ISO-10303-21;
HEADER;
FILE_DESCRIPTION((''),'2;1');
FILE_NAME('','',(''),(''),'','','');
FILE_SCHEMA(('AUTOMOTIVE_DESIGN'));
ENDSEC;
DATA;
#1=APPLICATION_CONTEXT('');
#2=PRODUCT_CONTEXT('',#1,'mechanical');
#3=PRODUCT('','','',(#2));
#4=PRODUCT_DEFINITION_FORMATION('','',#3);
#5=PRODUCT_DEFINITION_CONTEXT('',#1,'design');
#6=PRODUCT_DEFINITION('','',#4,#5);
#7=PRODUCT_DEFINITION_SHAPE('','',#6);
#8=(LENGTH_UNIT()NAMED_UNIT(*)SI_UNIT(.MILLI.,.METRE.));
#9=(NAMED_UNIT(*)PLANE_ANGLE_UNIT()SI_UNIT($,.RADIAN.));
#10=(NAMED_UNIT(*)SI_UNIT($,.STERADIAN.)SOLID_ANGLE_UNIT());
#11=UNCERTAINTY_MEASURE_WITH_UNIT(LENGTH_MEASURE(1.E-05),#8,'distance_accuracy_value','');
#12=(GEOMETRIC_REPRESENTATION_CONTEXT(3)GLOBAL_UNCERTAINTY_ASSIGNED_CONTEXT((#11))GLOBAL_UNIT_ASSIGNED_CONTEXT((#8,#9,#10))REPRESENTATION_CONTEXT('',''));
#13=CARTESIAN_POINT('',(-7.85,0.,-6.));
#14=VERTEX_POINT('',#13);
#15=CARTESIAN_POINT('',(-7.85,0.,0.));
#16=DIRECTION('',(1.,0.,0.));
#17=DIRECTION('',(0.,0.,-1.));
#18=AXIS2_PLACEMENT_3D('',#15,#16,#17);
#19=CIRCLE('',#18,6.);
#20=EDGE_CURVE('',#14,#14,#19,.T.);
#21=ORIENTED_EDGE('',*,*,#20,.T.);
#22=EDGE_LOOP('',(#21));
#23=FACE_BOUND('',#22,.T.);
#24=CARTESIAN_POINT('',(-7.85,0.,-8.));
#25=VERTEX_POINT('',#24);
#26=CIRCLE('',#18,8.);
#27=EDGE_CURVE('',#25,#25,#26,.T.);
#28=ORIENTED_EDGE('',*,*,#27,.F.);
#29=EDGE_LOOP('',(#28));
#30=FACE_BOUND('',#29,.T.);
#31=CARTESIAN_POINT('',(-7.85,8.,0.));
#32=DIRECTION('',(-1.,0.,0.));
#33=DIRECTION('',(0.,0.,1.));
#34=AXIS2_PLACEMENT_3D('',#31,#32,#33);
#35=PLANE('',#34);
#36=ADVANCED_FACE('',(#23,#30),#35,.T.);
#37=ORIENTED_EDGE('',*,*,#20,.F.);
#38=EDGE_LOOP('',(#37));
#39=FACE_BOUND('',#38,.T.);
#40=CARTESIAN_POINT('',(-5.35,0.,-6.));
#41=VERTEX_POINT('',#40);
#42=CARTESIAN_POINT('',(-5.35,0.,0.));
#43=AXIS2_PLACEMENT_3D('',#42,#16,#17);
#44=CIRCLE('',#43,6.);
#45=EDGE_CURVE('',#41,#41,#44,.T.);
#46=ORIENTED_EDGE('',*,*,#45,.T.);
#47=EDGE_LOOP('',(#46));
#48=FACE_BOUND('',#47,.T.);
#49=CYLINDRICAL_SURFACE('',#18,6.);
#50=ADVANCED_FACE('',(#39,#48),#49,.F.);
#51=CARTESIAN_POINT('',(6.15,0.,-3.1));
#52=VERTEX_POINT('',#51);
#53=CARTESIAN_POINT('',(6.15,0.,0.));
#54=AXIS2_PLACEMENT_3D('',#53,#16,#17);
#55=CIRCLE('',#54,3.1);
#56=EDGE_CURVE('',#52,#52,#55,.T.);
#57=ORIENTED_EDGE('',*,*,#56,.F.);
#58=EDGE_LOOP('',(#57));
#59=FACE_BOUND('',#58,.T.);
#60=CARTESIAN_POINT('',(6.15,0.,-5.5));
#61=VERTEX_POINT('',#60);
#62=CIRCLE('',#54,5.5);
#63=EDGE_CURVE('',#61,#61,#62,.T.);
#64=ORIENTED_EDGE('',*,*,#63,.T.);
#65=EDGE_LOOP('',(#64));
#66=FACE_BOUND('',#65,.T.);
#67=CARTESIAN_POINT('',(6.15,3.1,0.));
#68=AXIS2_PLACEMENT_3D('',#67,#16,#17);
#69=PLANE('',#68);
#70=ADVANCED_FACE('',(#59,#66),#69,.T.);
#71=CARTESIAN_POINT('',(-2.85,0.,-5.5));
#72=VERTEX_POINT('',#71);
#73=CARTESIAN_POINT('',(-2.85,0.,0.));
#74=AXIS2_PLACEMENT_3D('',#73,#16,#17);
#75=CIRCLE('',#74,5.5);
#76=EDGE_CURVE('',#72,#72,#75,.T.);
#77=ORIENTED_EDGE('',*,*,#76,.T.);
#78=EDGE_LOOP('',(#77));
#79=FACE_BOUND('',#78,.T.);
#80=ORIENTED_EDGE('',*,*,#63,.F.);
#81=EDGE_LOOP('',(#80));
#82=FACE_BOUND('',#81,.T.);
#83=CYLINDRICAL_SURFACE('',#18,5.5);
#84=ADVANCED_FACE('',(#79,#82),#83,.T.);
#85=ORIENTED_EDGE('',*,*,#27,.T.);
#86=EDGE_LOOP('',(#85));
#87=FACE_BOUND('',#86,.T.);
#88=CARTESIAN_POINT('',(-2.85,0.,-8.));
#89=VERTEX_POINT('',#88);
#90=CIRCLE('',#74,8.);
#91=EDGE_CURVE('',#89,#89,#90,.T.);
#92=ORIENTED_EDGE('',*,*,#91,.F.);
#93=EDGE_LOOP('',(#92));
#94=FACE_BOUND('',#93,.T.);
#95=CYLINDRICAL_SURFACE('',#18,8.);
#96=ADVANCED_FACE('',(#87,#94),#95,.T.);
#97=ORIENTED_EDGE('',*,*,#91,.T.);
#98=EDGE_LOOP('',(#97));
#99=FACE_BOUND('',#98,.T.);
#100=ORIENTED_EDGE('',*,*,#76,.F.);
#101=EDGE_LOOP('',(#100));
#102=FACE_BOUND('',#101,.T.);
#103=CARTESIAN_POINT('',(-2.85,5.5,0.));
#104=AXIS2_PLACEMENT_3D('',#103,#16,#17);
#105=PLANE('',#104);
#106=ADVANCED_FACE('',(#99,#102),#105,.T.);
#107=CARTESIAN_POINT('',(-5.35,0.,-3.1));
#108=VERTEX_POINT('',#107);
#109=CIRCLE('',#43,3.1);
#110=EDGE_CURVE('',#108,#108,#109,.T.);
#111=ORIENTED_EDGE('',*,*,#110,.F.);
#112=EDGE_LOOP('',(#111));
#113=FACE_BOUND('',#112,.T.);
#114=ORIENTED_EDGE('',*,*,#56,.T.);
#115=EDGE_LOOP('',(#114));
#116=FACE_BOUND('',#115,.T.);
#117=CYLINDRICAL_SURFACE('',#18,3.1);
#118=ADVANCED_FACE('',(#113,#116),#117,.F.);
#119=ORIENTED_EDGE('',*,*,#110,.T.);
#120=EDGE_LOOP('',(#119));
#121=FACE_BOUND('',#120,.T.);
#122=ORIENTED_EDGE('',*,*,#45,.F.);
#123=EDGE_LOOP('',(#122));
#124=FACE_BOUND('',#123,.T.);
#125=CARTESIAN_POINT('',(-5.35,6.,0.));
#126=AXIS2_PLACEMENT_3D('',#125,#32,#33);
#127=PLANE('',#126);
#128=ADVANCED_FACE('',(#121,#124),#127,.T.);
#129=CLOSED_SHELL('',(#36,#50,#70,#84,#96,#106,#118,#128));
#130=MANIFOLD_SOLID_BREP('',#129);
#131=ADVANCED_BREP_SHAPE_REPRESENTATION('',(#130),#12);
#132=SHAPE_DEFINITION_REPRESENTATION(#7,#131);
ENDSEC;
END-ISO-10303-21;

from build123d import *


with BuildPart() as part:
    # Sketch1 → Revolve1 (revolve)
    with BuildSketch(Plane.XY):
        Polygon((-2.85, 5.5), (-2.85, 8), (-7.85, 8), (-7.85, 6), (-5.35, 6), (-5.35, 3.1), (6.15, 3.1), (6.15, 5.5), align=None)
    revolve(axis=Axis((-7.85, 0, 0), (1, 0, 0)))


solid = part.part
